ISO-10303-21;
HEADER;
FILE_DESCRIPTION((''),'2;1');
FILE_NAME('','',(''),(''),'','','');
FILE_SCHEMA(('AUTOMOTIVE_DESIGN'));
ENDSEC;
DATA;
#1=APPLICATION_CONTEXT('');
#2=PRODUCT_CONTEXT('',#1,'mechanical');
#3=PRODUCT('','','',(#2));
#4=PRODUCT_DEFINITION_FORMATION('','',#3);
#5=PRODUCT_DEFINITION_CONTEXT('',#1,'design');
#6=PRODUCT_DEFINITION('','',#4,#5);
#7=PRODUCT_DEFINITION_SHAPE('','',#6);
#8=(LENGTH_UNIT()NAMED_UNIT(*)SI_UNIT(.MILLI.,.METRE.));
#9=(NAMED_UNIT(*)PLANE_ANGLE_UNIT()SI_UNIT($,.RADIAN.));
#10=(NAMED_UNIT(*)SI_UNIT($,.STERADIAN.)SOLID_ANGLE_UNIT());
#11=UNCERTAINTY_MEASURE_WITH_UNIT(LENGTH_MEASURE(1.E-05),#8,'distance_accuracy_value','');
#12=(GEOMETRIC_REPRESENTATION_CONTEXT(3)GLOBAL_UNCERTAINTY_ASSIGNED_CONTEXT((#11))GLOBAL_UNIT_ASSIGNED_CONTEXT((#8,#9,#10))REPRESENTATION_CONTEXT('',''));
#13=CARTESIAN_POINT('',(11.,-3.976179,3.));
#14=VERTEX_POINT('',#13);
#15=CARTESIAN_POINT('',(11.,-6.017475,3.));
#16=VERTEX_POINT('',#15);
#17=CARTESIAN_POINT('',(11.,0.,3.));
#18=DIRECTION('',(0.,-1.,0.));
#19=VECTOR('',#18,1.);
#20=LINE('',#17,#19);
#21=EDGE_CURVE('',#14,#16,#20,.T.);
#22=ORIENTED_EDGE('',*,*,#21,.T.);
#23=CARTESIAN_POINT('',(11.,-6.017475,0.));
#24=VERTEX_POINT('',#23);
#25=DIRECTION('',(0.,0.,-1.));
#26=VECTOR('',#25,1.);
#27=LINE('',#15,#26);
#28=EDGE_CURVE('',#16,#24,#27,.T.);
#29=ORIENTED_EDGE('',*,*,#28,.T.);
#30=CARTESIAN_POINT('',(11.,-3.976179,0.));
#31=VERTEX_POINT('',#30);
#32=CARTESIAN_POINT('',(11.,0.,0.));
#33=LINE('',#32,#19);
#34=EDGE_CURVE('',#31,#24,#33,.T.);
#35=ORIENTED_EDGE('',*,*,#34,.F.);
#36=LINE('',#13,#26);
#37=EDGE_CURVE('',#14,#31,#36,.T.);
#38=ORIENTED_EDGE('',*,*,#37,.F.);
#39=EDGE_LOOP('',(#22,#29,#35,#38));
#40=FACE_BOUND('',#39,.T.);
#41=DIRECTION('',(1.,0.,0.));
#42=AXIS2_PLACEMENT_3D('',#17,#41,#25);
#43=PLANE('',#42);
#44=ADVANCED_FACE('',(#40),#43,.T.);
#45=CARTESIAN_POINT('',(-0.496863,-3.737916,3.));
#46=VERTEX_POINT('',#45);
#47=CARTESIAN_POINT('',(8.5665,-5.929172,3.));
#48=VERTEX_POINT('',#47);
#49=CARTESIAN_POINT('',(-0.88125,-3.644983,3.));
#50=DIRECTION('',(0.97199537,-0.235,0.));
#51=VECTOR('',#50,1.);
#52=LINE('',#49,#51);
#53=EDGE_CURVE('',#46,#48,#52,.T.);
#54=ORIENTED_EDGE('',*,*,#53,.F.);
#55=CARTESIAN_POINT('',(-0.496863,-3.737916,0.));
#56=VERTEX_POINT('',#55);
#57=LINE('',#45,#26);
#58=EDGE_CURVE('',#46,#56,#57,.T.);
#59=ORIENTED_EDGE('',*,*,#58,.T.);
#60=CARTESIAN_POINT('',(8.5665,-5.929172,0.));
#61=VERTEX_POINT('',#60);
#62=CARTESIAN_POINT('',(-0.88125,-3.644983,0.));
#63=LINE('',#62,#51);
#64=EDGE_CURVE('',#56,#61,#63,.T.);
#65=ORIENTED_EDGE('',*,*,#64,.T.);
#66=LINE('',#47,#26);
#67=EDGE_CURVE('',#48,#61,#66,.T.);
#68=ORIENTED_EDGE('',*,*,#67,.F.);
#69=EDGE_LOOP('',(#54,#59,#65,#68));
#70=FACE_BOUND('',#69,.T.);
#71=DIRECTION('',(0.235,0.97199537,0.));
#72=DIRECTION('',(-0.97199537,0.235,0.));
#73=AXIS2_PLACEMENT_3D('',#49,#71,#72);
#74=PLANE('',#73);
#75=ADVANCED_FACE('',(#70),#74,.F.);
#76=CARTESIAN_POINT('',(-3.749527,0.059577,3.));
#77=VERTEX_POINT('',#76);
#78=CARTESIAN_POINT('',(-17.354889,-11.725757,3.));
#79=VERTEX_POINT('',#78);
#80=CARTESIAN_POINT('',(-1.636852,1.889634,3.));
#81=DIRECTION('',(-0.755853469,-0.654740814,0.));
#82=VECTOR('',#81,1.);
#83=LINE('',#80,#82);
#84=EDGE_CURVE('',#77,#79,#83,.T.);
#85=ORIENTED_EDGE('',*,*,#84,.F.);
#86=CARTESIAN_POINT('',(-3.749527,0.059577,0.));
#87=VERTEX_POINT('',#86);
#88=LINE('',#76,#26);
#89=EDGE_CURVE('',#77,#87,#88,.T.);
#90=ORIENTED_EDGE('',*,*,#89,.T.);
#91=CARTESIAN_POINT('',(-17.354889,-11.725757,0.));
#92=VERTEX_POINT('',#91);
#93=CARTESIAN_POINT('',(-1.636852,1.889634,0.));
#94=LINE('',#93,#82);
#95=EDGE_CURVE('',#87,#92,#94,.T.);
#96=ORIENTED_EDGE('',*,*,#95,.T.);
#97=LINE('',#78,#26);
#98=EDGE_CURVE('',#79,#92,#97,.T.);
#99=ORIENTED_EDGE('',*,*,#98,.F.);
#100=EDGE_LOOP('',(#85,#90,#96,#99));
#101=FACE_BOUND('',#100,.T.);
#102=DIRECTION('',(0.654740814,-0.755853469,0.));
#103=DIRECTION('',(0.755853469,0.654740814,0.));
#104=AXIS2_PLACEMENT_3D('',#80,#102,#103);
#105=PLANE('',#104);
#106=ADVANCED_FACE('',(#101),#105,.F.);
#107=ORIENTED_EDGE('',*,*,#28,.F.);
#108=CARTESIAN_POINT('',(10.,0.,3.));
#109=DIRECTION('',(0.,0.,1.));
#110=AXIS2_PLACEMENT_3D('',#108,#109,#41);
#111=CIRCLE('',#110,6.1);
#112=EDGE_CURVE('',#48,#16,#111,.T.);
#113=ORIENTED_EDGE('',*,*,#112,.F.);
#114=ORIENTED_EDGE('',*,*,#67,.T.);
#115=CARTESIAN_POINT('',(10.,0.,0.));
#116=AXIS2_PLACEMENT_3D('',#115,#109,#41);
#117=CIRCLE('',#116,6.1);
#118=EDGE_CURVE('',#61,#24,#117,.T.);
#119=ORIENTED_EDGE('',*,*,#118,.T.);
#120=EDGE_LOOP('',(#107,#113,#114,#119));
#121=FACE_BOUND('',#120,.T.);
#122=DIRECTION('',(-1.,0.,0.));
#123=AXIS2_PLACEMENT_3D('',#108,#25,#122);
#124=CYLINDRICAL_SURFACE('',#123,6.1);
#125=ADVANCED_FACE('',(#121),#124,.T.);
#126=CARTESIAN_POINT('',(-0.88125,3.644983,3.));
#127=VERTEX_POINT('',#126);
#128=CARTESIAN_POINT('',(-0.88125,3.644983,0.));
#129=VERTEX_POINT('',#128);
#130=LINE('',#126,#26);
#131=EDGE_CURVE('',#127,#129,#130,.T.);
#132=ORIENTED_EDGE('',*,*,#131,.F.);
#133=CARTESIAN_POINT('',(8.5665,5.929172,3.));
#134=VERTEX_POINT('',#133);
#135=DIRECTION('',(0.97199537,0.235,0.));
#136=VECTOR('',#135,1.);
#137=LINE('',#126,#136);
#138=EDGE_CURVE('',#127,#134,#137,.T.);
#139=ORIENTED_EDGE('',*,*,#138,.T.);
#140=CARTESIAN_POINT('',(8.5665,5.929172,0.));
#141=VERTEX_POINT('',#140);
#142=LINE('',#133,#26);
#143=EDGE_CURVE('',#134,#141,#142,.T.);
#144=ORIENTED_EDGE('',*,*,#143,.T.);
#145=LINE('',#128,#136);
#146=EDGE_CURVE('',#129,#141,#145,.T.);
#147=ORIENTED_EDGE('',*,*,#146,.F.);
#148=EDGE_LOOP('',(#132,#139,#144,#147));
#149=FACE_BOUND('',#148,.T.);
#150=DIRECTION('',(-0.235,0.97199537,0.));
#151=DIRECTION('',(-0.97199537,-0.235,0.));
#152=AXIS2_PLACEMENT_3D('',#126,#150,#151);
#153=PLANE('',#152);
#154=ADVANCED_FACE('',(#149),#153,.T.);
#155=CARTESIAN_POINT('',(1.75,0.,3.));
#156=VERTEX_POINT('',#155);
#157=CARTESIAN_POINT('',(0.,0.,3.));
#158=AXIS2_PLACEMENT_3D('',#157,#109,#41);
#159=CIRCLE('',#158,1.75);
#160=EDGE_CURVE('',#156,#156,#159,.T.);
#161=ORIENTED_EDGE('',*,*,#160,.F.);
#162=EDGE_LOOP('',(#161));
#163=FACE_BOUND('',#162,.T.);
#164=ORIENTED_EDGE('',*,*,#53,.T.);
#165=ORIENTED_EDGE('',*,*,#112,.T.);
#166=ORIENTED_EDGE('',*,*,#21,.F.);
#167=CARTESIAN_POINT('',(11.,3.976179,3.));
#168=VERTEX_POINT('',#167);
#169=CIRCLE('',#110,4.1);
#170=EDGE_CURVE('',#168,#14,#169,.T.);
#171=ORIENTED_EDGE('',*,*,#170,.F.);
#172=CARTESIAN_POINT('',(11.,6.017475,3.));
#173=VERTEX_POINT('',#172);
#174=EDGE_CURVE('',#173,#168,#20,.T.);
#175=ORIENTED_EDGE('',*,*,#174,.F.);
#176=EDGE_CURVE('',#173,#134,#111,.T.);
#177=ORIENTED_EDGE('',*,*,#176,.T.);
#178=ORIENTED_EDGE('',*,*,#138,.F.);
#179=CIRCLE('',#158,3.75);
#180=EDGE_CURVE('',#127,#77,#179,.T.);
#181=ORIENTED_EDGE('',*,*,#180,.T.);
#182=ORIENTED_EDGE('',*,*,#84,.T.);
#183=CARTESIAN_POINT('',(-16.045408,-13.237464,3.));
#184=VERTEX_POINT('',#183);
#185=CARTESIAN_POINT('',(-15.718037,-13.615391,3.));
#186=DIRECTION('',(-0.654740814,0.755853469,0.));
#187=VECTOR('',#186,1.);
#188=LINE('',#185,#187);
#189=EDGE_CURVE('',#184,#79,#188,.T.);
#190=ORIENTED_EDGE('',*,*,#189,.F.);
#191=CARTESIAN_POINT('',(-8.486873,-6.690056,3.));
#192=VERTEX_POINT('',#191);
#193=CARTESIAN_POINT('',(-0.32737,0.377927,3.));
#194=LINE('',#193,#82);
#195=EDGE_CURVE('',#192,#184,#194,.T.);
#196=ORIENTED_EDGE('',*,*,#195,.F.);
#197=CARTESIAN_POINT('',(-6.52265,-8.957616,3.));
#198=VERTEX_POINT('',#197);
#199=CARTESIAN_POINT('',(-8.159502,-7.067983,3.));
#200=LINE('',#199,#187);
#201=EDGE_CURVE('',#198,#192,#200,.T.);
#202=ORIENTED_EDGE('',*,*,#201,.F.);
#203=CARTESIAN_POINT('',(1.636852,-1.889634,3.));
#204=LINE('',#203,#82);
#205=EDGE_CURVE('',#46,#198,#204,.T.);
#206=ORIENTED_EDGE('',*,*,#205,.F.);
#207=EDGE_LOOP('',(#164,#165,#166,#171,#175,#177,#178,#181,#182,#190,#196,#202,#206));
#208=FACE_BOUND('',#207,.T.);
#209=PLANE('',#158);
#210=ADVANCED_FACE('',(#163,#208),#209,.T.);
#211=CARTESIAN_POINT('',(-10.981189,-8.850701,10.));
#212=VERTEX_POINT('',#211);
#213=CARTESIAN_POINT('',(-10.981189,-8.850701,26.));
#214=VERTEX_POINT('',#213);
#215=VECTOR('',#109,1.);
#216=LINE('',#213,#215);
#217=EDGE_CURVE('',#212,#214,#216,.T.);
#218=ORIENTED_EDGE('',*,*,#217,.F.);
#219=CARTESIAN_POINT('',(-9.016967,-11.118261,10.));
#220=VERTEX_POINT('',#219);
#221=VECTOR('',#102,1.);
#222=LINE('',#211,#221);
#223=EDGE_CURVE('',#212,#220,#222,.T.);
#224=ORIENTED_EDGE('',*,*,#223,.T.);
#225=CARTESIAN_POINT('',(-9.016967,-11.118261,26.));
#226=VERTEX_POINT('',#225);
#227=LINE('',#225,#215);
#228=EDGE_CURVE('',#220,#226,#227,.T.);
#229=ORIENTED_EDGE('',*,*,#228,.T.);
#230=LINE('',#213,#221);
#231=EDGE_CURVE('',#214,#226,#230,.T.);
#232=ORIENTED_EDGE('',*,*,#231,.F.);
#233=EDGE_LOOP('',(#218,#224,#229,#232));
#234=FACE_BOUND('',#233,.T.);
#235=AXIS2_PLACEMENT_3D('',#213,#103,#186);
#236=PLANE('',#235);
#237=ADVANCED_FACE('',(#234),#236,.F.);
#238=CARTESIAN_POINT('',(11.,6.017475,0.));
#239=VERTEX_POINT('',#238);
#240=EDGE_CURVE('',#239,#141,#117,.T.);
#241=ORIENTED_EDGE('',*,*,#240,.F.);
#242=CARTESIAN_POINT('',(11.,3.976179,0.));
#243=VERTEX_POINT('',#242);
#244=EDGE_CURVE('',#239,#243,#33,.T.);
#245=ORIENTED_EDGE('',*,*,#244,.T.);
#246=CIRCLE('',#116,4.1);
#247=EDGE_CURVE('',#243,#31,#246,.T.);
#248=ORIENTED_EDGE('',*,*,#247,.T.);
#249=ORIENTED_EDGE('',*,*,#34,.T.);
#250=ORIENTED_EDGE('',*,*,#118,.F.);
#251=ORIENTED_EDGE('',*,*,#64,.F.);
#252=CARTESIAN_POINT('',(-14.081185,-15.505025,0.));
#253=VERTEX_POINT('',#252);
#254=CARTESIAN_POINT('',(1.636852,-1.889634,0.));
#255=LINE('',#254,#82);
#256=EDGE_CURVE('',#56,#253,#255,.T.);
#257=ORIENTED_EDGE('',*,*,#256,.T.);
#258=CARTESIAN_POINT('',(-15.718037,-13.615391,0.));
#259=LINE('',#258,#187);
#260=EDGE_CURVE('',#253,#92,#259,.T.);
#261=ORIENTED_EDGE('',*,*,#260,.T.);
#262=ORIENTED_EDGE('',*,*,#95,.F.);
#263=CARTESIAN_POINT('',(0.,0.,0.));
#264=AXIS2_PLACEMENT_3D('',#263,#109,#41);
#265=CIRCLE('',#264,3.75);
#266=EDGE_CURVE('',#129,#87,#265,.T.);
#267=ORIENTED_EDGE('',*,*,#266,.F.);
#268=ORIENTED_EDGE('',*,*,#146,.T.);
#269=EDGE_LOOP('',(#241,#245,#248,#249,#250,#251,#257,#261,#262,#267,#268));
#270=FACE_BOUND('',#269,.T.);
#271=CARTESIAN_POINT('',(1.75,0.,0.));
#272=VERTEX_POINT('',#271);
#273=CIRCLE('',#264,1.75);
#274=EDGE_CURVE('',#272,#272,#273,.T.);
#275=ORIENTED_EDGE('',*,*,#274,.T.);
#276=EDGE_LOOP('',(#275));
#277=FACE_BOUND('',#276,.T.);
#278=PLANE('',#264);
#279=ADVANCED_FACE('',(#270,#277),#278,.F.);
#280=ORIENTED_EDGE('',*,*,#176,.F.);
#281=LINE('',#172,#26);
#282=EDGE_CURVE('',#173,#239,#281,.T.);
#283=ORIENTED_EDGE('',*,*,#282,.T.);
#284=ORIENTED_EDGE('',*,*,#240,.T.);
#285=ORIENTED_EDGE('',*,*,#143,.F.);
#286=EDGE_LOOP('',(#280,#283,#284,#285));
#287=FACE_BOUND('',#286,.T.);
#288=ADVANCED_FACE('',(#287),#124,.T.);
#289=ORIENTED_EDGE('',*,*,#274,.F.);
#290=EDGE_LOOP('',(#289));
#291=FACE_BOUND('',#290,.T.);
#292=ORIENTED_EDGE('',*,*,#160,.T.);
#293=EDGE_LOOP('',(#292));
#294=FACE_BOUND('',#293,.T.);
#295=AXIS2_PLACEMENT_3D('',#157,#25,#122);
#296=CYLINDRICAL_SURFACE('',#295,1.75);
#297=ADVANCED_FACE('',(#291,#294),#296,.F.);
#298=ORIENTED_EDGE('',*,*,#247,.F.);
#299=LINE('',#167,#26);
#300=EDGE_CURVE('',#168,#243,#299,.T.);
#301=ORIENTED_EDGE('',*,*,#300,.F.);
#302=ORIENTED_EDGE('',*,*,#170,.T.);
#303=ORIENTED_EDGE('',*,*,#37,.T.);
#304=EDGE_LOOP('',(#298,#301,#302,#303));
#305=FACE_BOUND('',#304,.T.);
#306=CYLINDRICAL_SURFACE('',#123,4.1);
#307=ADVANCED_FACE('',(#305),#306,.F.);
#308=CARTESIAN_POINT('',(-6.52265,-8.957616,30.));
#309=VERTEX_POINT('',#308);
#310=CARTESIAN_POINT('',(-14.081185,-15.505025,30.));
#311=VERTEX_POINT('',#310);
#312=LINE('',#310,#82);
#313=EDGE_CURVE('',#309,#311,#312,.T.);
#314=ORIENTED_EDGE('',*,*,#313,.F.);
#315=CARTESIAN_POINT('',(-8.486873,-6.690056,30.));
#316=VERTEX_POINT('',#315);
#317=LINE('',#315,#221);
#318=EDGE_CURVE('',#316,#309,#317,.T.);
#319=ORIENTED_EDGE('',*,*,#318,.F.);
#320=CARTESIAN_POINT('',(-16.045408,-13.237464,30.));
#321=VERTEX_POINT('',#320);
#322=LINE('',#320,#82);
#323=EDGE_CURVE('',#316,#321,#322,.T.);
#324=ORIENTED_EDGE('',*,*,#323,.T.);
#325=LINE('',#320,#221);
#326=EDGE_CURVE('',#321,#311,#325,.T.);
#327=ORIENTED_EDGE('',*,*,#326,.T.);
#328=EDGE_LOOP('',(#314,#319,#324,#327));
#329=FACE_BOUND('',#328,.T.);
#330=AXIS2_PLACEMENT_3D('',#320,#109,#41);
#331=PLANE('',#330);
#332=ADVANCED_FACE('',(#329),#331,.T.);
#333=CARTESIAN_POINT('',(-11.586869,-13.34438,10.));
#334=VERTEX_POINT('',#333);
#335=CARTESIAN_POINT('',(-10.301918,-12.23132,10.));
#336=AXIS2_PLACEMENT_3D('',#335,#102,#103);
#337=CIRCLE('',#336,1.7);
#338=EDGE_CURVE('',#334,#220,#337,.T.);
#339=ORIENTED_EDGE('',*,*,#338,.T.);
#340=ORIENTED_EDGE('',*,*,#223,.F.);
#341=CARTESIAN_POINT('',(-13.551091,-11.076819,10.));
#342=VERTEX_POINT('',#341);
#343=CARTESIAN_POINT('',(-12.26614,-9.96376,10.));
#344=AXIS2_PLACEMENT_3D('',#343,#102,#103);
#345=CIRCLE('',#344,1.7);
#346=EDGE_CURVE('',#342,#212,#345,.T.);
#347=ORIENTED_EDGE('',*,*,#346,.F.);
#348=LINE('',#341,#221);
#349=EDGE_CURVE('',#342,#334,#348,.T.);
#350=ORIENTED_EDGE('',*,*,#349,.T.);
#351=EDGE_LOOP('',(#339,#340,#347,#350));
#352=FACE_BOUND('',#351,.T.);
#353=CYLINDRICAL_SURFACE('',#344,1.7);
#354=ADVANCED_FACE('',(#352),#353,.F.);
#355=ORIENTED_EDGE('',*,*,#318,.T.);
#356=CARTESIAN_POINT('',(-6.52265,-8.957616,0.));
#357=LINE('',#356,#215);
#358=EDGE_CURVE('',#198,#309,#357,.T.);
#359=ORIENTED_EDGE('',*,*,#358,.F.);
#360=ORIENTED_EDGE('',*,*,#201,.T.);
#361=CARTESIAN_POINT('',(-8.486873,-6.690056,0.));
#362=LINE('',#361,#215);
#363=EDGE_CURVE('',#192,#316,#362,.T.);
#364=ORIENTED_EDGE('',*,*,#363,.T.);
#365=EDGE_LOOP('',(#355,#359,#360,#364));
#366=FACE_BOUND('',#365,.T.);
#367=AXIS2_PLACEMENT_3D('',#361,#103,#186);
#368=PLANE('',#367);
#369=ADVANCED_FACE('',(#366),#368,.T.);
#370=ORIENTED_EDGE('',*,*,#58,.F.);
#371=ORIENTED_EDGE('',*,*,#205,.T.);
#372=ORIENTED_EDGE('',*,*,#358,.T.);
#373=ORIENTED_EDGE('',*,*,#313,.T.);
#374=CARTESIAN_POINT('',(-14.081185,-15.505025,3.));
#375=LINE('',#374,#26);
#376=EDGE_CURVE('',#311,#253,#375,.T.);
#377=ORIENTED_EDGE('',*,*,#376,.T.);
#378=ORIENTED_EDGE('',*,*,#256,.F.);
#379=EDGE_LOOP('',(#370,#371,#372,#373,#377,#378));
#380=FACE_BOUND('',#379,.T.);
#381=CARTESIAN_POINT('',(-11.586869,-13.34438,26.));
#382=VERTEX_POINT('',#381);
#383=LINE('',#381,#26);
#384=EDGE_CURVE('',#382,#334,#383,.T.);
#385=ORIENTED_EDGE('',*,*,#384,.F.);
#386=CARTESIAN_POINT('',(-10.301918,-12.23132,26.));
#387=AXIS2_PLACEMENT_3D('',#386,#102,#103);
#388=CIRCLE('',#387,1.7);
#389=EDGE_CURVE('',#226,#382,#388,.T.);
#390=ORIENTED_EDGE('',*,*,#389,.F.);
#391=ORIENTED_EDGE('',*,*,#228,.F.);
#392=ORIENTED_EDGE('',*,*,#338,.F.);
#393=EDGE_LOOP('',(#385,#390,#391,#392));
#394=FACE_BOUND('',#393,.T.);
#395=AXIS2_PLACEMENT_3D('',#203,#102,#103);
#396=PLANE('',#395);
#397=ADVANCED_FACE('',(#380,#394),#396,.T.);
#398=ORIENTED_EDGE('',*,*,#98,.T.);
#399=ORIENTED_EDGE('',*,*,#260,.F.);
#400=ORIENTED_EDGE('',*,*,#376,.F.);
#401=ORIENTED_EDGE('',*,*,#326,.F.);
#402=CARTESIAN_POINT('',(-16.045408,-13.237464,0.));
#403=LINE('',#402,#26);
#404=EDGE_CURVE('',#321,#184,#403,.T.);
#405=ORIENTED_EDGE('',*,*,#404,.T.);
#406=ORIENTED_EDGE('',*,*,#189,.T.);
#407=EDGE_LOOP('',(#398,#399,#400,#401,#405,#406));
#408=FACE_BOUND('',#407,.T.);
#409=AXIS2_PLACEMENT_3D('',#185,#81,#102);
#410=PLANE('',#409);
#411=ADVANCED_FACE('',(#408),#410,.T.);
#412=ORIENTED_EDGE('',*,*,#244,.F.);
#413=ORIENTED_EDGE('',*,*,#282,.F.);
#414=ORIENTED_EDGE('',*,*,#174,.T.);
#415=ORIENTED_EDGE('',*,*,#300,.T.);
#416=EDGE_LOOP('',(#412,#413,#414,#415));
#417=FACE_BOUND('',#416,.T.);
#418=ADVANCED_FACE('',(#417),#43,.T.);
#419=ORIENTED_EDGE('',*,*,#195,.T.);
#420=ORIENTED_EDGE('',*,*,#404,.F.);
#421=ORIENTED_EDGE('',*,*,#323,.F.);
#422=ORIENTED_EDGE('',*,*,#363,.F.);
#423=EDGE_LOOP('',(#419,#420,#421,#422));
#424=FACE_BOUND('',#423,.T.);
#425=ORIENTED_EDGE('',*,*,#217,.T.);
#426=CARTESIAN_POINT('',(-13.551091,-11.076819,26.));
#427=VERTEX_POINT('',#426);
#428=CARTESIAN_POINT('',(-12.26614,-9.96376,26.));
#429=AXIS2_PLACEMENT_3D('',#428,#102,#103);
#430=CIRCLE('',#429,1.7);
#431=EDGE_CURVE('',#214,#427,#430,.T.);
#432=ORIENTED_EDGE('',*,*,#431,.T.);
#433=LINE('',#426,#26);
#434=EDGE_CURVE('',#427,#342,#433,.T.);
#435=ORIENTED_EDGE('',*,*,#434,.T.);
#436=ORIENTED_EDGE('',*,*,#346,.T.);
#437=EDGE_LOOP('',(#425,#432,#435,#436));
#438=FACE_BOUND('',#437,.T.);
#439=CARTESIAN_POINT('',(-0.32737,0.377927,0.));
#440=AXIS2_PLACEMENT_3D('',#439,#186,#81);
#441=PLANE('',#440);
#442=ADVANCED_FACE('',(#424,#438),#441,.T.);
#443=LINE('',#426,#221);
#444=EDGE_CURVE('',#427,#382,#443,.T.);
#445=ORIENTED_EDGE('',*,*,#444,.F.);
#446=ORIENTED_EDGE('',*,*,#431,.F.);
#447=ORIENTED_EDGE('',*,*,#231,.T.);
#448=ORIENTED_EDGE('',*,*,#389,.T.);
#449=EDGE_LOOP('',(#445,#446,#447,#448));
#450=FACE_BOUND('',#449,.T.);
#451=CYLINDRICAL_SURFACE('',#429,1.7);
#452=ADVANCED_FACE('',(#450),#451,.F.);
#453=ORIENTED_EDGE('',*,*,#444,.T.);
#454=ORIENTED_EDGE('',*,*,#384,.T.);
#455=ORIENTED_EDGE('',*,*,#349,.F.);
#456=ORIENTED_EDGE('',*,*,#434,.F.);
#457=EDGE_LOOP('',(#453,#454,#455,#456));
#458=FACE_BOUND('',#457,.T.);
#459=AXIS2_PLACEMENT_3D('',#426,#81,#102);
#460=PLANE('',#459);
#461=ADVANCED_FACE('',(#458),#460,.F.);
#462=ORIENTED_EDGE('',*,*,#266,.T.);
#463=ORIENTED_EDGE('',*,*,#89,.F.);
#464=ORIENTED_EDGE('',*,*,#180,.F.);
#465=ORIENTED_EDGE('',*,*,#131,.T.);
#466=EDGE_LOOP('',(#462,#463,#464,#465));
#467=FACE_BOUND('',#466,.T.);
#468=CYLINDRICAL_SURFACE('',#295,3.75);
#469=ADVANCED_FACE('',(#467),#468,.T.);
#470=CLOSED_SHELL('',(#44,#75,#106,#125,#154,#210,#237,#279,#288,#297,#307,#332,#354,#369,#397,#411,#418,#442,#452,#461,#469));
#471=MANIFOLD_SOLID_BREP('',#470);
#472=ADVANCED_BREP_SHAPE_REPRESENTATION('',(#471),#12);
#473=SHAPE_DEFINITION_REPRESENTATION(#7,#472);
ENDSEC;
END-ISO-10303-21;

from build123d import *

# Parameters (mm, degrees)
ESBO_O1_R                = 1.75
RESSALTO_EXTRUS_O1_DEPTH = 3
ESBO_O2_W                = 10
ESBO_O2_H                = 30
RESSALTO_EXTRUS_O2_DEPTH = 3


with BuildPart() as part:
    # Esboço1 → Ressalto-extrusão1 (new body)
    with BuildSketch(Plane.XY):
        with BuildLine():
            ThreePointArc((-0.475822638, -3.719689882), (3.744330631, 0.206126489), (-0.88125, 3.644982639))
            ThreePointArc((-0.88125, 3.644982639), (-2.928276933, 2.342582807), (-3.749526707, 0.059577464))
            ThreePointArc((-3.749526707, 0.059577464), (-2.965124722, -2.295764662), (-0.88125, -3.644982639))
            Line((-0.88125, -3.644982639), (-0.496863485, -3.737916035))
            Line((-0.496863485, -3.737916035), (-0.475822638, -3.719689882))
        make_face()
        Circle(ESBO_O1_R, mode=Mode.SUBTRACT)
        with BuildLine():
            Line((8.5665, 5.929171759), (-0.88125, 3.644982639))
            ThreePointArc((-0.88125, 3.644982639), (3.744330631, 0.206126489), (-0.475822638, -3.719689882))
            Line((-0.475822638, -3.719689882), (-0.496863485, -3.737916035))
            Line((-0.496863485, -3.737916035), (8.5665, -5.929171759))
            ThreePointArc((8.5665, -5.929171759), (9.778798941, -6.095988032), (11, -6.017474553))
            Line((11, -6.017474553), (11, -3.97617907))
            ThreePointArc((11, -3.97617907), (5.9, 0), (11, 3.97617907))
            Line((11, 3.97617907), (11, 6.017474553))
            ThreePointArc((11, 6.017474553), (9.778798941, 6.095988032), (8.5665, 5.929171759))
        make_face()
        with BuildLine():
            ThreePointArc((-0.88125, -3.644982639), (-2.965124722, -2.295764662), (-3.749526707, 0.059577464))
            Line((-3.749526707, 0.059577464), (-17.354889152, -11.725757183))
            Line((-17.354889152, -11.725757183), (-14.081185083, -15.505024529))
            Line((-14.081185083, -15.505024529), (-0.496863485, -3.737916035))
            Line((-0.496863485, -3.737916035), (-0.88125, -3.644982639))
        make_face()
    extrude(amount=RESSALTO_EXTRUS_O1_DEPTH)

    # Esboço2 → Ressalto-extrusão2 (add)
    with BuildSketch(Plane(origin=(1.636852034, -1.889633673, 0), x_dir=(0.755853469, 0.654740814, 0), z_dir=(0.654740814, -0.755853469, 0))):
        with Locations((-15.795084972, 15)):
            Rectangle(ESBO_O2_W, ESBO_O2_H)
        with BuildLine():
            Line((-14.095084972, 26), (-14.095084972, 10))
            ThreePointArc((-14.095084972, 10), (-15.795084972, 8.3), (-17.495084972, 10))
            Line((-17.495084972, 10), (-17.495084972, 26))
            ThreePointArc((-17.495084972, 26), (-15.795084972, 27.7), (-14.095084972, 26))
        make_face(mode=Mode.SUBTRACT)
    extrude(amount=-RESSALTO_EXTRUS_O2_DEPTH)


solid = part.part
